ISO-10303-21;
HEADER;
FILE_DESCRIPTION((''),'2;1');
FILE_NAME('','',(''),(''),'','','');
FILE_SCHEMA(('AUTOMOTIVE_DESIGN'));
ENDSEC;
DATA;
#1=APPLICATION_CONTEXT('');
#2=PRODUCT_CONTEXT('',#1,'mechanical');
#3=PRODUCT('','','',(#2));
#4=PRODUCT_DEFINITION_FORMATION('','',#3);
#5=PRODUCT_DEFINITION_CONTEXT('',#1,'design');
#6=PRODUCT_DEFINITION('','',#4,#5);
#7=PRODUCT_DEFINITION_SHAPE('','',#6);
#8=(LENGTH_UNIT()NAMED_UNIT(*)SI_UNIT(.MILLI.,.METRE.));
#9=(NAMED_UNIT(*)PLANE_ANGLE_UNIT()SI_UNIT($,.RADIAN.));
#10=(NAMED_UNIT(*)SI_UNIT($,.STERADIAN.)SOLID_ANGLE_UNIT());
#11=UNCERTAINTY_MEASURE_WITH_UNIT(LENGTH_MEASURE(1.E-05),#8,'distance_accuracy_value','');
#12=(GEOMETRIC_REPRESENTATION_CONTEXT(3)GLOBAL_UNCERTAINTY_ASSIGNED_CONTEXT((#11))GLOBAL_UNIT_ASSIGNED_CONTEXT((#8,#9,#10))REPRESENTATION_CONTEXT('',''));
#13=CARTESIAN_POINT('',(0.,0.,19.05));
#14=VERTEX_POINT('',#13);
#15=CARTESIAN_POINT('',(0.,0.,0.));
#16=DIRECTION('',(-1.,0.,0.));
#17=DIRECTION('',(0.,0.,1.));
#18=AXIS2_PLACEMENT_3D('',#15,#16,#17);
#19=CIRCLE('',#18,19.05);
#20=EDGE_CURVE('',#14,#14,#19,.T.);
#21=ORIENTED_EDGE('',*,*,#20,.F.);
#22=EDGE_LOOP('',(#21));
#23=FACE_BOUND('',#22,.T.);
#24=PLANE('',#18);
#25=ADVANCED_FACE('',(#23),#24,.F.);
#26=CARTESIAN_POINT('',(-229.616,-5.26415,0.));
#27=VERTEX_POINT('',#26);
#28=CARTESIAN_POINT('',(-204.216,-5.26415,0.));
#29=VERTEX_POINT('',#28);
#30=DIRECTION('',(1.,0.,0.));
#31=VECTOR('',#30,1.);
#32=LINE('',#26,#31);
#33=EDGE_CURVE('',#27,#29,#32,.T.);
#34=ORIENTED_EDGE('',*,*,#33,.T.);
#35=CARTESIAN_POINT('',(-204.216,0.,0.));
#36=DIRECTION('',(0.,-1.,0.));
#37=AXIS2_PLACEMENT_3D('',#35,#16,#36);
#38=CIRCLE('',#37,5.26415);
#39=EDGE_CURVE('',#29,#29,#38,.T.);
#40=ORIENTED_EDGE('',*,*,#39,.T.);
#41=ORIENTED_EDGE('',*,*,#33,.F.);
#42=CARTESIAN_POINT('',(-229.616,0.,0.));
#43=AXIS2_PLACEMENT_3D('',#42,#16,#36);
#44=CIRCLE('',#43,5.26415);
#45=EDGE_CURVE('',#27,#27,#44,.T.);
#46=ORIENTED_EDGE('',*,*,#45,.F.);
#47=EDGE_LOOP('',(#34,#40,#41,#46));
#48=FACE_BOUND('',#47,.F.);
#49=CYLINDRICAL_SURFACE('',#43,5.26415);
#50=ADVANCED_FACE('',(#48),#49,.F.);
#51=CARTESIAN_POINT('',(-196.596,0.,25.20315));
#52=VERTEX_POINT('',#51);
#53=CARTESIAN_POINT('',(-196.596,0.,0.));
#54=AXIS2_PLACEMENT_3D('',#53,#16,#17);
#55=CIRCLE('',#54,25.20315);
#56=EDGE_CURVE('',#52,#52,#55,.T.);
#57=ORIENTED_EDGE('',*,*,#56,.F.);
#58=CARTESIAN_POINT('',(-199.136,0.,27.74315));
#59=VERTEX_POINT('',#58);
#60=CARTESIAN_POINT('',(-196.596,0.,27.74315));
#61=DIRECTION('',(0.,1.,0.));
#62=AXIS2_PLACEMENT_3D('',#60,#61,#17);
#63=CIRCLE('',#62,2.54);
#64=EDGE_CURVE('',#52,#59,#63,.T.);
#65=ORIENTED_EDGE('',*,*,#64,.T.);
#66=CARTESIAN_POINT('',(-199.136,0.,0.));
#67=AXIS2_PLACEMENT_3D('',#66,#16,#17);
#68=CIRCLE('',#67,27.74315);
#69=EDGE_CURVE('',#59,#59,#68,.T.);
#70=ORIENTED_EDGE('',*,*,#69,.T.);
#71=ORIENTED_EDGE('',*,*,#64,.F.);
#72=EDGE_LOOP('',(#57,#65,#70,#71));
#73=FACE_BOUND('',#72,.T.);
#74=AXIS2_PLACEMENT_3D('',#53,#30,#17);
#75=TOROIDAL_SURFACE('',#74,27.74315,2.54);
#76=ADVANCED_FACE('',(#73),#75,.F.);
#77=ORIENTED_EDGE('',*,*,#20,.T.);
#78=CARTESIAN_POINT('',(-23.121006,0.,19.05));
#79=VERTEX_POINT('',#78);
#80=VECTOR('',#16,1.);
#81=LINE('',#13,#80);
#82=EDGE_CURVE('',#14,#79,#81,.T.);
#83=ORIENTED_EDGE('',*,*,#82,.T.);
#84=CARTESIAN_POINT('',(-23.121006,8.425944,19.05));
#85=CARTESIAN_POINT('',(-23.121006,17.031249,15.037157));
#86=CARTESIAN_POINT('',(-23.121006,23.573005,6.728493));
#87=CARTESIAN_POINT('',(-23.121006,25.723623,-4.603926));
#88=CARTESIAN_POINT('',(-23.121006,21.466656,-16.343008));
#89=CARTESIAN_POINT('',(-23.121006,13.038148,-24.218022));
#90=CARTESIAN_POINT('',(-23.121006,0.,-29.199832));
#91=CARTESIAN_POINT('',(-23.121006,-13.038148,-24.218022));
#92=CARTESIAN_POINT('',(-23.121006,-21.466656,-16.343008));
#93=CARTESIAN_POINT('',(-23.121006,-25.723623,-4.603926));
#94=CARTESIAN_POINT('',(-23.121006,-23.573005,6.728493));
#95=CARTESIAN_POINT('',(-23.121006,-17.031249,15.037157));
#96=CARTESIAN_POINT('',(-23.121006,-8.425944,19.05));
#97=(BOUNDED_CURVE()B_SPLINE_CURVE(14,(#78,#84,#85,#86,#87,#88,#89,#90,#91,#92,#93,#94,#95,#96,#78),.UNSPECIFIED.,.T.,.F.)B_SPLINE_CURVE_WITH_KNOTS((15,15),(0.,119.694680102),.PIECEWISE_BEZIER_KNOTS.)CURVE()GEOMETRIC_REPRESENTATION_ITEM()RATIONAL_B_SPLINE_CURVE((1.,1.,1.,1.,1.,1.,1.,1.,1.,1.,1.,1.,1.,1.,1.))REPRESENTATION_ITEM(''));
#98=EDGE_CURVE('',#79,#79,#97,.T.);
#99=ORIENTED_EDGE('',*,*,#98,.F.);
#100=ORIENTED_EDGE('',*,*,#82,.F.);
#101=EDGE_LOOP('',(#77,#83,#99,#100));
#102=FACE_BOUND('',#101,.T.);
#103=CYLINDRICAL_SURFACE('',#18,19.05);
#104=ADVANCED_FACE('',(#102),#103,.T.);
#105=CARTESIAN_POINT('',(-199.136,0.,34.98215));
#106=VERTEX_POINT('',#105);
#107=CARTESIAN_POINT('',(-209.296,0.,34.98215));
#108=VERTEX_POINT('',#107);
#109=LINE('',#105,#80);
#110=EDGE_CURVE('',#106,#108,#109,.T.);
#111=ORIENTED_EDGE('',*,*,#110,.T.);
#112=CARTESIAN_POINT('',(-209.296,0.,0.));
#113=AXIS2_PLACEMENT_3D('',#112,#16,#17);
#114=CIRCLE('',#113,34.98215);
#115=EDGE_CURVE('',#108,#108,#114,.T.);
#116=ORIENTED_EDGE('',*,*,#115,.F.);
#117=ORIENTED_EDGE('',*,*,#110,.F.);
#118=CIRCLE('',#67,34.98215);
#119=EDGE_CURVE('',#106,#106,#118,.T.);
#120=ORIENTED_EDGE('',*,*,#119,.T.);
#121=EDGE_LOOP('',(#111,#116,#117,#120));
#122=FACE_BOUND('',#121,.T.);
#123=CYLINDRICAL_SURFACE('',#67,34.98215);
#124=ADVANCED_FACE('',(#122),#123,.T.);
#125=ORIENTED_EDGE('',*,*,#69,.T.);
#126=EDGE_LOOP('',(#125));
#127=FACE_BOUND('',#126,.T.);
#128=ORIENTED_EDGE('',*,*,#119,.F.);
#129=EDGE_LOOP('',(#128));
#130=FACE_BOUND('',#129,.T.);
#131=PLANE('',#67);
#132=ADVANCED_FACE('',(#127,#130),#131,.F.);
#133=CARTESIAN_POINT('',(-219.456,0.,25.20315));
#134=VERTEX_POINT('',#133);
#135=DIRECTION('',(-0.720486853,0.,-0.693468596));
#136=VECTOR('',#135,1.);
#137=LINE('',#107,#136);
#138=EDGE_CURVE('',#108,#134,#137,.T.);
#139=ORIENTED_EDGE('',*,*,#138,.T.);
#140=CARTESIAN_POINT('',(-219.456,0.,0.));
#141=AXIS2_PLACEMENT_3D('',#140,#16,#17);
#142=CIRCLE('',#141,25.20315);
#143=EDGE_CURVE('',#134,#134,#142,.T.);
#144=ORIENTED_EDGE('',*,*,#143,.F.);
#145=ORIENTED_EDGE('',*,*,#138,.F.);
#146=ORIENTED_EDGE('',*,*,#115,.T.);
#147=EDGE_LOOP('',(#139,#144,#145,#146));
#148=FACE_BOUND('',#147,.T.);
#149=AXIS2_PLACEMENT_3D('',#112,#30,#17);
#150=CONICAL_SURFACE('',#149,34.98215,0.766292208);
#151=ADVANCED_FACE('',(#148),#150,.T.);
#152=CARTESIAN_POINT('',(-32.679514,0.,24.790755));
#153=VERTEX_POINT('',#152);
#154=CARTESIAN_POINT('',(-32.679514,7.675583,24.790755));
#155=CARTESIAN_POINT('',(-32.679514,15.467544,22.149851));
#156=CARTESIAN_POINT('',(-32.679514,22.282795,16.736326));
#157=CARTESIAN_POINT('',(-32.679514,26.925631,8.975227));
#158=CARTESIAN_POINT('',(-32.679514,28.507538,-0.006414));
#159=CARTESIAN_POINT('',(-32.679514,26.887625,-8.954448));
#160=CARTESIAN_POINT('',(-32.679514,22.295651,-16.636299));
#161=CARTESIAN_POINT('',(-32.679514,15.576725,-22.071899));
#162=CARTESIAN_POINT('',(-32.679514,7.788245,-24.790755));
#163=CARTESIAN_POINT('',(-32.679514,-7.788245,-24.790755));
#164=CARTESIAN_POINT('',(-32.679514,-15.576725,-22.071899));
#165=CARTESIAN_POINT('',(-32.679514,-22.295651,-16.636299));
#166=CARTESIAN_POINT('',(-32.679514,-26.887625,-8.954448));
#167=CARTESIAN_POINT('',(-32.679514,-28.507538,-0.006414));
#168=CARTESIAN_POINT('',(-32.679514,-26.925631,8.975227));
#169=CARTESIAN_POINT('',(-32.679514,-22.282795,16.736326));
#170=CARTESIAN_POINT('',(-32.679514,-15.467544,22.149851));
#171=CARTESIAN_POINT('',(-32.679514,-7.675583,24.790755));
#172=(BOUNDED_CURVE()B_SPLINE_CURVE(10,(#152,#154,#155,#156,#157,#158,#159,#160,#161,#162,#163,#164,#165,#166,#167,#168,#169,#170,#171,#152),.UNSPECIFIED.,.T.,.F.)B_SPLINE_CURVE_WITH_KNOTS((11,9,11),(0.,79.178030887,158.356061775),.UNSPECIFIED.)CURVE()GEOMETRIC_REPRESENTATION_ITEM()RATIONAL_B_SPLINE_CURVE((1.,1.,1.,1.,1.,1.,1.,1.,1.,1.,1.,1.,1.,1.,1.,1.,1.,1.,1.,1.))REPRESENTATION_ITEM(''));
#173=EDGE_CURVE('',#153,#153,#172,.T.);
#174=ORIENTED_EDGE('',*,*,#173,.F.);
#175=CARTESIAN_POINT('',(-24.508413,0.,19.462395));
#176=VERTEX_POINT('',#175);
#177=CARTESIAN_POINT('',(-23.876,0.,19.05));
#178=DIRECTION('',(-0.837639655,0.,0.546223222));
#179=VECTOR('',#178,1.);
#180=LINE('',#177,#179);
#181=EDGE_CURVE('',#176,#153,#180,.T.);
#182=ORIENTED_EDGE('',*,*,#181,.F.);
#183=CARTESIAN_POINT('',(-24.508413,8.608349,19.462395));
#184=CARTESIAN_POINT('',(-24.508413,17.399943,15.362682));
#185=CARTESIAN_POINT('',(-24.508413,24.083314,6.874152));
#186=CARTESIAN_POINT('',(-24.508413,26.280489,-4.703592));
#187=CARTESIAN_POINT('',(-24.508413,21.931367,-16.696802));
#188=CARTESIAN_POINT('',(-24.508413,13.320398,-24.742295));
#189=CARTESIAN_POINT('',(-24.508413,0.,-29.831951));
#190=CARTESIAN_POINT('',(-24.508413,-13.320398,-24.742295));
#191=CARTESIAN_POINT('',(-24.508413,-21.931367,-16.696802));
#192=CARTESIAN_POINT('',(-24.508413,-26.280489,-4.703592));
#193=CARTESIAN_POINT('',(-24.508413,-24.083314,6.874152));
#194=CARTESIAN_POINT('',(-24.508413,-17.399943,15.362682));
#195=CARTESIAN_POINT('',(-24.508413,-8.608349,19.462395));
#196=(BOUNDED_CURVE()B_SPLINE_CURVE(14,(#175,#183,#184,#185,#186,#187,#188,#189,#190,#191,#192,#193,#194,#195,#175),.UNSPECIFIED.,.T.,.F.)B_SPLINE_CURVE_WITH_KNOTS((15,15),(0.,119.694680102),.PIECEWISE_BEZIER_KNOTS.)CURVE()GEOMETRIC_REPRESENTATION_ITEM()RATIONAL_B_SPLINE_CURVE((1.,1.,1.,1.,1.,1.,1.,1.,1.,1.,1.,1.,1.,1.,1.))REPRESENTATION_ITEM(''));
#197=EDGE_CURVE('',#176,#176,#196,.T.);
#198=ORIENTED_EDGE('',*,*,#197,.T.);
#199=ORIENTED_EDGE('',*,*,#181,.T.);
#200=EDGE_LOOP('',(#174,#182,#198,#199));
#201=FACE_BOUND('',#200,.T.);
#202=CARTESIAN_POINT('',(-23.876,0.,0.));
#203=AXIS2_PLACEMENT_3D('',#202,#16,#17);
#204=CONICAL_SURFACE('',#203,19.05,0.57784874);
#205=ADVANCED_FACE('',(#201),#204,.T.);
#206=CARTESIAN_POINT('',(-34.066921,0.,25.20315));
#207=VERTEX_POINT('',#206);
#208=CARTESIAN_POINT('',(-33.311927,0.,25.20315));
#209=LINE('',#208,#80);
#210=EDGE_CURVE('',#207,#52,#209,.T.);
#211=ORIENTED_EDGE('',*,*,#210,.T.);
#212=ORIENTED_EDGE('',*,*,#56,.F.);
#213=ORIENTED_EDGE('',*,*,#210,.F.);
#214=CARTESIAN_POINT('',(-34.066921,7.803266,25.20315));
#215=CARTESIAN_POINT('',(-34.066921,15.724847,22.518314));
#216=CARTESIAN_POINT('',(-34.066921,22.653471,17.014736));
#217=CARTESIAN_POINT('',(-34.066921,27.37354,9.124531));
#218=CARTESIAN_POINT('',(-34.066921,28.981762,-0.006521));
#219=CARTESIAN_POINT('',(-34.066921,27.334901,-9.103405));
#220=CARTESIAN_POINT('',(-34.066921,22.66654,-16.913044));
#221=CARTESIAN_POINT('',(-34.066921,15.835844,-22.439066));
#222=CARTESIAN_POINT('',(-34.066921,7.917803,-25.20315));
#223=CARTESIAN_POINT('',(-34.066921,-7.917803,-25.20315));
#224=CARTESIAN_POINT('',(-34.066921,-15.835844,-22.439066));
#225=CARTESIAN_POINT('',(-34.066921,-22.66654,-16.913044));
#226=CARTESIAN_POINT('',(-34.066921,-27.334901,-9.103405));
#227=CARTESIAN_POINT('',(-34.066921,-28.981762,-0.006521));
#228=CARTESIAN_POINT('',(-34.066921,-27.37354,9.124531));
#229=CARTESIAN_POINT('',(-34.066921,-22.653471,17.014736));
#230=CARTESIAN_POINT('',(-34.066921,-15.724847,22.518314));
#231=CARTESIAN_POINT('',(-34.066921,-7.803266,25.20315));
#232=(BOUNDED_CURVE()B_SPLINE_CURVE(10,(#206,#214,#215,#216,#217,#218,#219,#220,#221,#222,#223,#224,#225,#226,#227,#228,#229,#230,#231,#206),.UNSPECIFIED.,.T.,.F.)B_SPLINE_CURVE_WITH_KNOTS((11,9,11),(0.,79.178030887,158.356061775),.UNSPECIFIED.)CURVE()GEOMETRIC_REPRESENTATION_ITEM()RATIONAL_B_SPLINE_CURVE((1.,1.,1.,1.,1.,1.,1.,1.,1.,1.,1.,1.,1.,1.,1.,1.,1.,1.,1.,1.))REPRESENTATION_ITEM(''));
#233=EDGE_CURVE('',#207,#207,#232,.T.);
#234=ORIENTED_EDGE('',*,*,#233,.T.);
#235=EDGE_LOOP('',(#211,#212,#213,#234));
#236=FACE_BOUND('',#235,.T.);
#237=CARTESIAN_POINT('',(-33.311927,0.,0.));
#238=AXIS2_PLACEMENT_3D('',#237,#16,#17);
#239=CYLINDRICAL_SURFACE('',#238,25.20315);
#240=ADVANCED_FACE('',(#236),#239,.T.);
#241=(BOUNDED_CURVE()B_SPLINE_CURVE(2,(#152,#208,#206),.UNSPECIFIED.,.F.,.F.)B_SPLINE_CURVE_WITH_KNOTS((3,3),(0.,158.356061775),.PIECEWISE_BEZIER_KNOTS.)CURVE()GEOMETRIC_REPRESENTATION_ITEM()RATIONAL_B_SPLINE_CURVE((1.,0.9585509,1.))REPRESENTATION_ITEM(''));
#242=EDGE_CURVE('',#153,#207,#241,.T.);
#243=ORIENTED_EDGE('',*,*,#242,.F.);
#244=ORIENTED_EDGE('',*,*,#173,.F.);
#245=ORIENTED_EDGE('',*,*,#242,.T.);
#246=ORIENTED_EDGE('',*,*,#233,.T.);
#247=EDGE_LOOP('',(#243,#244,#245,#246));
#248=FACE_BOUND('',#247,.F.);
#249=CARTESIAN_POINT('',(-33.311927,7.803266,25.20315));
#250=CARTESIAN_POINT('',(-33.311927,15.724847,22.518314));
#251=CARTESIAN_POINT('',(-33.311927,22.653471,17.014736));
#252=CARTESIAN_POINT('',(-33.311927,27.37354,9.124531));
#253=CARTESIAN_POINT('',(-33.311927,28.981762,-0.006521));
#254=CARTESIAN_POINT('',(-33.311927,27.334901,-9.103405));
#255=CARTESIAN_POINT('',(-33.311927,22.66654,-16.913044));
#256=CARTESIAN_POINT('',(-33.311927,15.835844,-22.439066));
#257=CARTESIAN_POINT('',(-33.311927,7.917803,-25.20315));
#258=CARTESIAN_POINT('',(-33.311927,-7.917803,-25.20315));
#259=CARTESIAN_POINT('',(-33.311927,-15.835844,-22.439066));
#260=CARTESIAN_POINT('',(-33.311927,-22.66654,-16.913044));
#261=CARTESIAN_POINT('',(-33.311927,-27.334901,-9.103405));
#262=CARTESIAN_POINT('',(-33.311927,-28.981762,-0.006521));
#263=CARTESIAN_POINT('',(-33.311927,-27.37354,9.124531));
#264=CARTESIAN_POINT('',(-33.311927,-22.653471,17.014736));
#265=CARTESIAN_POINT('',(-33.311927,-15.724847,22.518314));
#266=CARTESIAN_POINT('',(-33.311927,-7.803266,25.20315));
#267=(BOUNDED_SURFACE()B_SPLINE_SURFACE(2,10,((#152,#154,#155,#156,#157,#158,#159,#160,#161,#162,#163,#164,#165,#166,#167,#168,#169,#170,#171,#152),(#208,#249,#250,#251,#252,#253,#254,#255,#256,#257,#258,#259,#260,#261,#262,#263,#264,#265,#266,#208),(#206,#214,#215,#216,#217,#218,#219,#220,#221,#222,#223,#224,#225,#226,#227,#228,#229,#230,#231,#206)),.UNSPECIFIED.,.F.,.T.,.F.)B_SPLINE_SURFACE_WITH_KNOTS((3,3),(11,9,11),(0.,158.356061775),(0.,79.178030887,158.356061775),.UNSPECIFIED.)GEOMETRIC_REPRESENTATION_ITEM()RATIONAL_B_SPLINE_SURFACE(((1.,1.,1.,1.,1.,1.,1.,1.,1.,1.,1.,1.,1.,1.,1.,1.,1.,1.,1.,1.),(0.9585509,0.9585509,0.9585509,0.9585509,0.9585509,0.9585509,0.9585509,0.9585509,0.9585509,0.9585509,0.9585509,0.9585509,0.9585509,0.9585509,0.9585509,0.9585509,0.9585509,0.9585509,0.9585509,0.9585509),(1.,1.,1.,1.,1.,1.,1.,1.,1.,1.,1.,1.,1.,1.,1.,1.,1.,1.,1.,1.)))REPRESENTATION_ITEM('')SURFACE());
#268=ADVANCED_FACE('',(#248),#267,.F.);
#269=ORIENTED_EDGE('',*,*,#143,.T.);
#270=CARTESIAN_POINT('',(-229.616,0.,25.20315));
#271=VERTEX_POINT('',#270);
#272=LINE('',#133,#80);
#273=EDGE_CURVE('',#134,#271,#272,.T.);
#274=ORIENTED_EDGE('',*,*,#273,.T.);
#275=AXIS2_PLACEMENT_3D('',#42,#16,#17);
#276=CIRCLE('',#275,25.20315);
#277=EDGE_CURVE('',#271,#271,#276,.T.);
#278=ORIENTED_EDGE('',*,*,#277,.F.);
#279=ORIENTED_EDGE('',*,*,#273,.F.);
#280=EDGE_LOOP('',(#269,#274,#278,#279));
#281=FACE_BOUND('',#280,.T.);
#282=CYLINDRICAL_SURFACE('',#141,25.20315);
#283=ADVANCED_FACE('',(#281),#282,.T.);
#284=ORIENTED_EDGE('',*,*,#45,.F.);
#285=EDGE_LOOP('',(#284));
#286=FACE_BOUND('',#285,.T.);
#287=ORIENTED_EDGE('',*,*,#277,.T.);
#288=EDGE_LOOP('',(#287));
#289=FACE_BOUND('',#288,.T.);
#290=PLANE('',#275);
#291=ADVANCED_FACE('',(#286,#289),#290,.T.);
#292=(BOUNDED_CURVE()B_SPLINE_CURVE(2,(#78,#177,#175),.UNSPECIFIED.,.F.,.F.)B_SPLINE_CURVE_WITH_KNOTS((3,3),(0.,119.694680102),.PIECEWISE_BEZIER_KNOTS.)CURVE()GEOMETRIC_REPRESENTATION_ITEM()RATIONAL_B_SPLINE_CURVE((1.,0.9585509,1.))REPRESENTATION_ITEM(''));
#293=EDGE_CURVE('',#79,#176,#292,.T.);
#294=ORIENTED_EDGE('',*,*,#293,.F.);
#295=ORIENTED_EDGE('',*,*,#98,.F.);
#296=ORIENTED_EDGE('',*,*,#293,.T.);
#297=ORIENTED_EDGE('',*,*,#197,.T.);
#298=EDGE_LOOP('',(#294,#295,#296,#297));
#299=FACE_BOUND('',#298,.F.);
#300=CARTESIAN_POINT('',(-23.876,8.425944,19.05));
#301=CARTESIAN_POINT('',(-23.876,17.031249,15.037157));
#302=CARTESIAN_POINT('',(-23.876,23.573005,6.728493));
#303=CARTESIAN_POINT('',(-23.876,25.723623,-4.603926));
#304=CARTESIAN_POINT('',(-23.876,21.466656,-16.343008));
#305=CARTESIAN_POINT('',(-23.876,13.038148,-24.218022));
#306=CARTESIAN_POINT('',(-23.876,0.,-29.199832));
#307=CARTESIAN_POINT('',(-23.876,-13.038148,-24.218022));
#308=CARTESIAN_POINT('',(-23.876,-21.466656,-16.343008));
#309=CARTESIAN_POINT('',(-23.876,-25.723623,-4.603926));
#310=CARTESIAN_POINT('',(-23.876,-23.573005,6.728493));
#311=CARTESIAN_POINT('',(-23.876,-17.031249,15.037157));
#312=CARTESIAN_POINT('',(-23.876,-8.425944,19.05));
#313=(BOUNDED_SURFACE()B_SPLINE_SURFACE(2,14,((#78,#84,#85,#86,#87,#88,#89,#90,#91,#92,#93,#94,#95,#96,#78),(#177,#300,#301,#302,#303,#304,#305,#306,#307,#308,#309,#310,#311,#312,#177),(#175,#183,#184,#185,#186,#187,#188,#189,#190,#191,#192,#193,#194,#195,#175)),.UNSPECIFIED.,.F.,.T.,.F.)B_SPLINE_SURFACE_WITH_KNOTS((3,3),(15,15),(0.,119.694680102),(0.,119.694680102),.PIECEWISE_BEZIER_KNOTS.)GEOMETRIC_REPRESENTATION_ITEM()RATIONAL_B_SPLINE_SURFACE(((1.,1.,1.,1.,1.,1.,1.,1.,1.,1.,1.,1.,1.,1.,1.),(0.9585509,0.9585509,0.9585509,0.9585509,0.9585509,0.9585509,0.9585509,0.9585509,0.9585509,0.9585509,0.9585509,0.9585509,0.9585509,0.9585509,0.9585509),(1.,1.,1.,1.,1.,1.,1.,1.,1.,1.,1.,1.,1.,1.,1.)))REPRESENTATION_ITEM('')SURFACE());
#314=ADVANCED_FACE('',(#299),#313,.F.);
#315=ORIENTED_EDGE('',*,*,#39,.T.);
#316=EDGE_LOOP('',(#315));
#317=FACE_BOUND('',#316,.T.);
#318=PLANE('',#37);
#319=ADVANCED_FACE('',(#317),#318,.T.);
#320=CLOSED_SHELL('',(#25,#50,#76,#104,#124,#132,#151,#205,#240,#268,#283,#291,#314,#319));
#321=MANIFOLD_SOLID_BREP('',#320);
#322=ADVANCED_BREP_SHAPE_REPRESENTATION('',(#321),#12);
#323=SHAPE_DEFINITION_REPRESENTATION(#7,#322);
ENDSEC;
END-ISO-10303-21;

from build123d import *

# Parameters (mm, degrees)
F2_R     = 5.26415
F3_DEPTH = 25.4
F5_R     = 2.54
F6_R     = 2.54


with BuildPart() as f1:
    # F0 (on Front) → F1 (revolve)
    with BuildSketch(Plane.XZ):
        Polygon((-229.616, 0), (0, 0), (0, 19.05), (-23.876, 19.05), (-33.311927, 25.20315), (-199.136, 25.20315), (-199.136, 34.98215), (-209.296, 34.98215), (-219.456, 25.20315), (-229.616, 25.20315), align=None)
    revolve(axis=Axis((-114.808, 0, 0), (-1, 0, 0)))

    # F2 (on face) → F3 (cut)
    with BuildSketch(Plane(origin=(-229.616, 0, 0), x_dir=(0, -1, 0), z_dir=(-1, 0, 0))):
        Circle(F2_R)
    extrude(amount=-F3_DEPTH, mode=Mode.SUBTRACT)

    # F5
    f5_edges = [f1.edges().sort_by_distance(p)[0] for p in [
        (-23.876, 0, -19.05),
        (-33.311927, 0, -25.20315),
    ]]
    fillet(f5_edges, radius=F5_R)

    # F6
    f6_edges = [f1.edges().sort_by_distance(p)[0] for p in [
        (-199.136, 0, -25.20315),
    ]]
    fillet(f6_edges, radius=F6_R)


solid = f1.part
